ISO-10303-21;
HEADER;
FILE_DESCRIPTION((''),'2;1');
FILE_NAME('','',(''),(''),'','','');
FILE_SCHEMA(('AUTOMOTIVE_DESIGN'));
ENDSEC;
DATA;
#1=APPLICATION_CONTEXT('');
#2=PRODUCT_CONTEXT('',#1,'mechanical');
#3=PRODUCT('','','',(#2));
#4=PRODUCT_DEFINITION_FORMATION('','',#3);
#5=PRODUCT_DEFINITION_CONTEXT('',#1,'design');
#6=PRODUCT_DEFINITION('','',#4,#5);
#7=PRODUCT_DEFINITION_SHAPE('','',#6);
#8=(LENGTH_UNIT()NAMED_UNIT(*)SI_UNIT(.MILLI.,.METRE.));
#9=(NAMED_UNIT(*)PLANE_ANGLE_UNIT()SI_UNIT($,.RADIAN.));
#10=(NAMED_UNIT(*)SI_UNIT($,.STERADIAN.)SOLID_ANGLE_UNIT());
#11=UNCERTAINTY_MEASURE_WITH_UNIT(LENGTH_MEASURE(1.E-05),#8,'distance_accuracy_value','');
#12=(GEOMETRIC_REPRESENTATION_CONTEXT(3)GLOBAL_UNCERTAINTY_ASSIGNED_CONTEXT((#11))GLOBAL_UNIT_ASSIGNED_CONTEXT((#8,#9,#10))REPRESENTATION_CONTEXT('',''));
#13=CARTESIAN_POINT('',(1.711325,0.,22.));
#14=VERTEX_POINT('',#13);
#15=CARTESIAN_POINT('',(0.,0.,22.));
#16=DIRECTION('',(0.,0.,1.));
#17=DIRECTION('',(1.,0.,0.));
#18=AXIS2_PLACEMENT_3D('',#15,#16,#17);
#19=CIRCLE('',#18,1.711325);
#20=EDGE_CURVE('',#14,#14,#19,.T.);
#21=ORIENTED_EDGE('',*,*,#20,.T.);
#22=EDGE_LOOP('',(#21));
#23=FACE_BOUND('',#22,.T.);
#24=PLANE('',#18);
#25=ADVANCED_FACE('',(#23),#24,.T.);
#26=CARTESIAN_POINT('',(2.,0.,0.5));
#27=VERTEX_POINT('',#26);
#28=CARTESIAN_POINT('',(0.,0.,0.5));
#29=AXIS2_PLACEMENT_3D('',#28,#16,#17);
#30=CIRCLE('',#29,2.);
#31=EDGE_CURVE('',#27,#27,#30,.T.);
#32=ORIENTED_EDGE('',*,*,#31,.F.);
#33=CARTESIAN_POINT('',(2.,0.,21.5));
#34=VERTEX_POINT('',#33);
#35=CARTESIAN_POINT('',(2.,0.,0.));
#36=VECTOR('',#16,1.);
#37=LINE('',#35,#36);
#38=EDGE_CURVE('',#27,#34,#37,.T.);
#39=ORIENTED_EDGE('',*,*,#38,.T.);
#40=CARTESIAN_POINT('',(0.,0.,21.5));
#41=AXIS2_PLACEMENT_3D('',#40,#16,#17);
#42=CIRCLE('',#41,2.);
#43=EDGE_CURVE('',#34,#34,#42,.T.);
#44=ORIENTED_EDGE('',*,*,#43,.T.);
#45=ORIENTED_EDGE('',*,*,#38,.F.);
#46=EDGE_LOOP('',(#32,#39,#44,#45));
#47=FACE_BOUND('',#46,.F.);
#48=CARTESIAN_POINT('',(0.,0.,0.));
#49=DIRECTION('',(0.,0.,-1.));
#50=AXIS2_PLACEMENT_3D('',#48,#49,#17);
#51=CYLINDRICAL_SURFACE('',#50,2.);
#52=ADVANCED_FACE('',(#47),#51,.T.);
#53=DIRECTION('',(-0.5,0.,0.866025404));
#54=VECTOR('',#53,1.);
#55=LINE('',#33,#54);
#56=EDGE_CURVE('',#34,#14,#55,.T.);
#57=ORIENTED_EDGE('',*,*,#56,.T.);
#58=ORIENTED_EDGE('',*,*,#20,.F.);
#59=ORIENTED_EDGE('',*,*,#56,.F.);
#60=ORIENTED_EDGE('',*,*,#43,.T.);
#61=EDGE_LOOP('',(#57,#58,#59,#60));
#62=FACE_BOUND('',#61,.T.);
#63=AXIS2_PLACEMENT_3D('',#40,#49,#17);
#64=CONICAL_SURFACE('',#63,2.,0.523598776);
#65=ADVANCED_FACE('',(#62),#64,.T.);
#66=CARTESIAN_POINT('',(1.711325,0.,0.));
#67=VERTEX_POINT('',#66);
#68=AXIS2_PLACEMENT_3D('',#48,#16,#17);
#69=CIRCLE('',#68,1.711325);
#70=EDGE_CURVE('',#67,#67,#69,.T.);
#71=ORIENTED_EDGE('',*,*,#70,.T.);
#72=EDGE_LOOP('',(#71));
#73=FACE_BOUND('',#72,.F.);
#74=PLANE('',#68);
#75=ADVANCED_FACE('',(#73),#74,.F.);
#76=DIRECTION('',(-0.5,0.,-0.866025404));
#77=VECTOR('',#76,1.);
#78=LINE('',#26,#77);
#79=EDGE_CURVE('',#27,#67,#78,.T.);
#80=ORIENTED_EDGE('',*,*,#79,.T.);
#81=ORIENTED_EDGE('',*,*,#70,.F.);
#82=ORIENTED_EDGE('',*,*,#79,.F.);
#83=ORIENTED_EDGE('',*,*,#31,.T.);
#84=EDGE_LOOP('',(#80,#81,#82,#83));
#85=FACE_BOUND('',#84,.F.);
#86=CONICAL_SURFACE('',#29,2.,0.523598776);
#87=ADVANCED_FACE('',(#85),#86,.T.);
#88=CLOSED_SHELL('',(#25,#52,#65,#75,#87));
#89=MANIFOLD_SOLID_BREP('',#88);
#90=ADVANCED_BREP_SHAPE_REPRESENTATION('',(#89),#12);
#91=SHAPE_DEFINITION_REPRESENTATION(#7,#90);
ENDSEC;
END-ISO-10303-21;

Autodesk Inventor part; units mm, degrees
ref_plane "YZ Plane" through (0, 0, 0) normal (1, 0, 0) x (0, 1, 0)
ref_plane "XZ Plane" through (0, 0, 0) normal (0, 1, 0) x (-1, 0, 0)
ref_plane "XY Plane" through (0, 0, 0) normal (0, 0, 1) x (1, 0, 0)
sketch "スケッチ1" plane through (0, 0, 0) normal (0, 0, 1) x (1, 0, 0)
  circle A0 centre (0, 0) radius 2
  dimension "d0" = 4
extrude "押し出し1" add sketch "スケッチ1" along normal blind 22
chamfer "面取り1" distance 0.5 angle 30 2 edges at (-2, 0, 22) (-2, 0, 0) measured on face at (1.9741, -0.3208, 14.6667)
properties part number "平行ピンΦ4.22" material "鋼、高強度、低合金"
